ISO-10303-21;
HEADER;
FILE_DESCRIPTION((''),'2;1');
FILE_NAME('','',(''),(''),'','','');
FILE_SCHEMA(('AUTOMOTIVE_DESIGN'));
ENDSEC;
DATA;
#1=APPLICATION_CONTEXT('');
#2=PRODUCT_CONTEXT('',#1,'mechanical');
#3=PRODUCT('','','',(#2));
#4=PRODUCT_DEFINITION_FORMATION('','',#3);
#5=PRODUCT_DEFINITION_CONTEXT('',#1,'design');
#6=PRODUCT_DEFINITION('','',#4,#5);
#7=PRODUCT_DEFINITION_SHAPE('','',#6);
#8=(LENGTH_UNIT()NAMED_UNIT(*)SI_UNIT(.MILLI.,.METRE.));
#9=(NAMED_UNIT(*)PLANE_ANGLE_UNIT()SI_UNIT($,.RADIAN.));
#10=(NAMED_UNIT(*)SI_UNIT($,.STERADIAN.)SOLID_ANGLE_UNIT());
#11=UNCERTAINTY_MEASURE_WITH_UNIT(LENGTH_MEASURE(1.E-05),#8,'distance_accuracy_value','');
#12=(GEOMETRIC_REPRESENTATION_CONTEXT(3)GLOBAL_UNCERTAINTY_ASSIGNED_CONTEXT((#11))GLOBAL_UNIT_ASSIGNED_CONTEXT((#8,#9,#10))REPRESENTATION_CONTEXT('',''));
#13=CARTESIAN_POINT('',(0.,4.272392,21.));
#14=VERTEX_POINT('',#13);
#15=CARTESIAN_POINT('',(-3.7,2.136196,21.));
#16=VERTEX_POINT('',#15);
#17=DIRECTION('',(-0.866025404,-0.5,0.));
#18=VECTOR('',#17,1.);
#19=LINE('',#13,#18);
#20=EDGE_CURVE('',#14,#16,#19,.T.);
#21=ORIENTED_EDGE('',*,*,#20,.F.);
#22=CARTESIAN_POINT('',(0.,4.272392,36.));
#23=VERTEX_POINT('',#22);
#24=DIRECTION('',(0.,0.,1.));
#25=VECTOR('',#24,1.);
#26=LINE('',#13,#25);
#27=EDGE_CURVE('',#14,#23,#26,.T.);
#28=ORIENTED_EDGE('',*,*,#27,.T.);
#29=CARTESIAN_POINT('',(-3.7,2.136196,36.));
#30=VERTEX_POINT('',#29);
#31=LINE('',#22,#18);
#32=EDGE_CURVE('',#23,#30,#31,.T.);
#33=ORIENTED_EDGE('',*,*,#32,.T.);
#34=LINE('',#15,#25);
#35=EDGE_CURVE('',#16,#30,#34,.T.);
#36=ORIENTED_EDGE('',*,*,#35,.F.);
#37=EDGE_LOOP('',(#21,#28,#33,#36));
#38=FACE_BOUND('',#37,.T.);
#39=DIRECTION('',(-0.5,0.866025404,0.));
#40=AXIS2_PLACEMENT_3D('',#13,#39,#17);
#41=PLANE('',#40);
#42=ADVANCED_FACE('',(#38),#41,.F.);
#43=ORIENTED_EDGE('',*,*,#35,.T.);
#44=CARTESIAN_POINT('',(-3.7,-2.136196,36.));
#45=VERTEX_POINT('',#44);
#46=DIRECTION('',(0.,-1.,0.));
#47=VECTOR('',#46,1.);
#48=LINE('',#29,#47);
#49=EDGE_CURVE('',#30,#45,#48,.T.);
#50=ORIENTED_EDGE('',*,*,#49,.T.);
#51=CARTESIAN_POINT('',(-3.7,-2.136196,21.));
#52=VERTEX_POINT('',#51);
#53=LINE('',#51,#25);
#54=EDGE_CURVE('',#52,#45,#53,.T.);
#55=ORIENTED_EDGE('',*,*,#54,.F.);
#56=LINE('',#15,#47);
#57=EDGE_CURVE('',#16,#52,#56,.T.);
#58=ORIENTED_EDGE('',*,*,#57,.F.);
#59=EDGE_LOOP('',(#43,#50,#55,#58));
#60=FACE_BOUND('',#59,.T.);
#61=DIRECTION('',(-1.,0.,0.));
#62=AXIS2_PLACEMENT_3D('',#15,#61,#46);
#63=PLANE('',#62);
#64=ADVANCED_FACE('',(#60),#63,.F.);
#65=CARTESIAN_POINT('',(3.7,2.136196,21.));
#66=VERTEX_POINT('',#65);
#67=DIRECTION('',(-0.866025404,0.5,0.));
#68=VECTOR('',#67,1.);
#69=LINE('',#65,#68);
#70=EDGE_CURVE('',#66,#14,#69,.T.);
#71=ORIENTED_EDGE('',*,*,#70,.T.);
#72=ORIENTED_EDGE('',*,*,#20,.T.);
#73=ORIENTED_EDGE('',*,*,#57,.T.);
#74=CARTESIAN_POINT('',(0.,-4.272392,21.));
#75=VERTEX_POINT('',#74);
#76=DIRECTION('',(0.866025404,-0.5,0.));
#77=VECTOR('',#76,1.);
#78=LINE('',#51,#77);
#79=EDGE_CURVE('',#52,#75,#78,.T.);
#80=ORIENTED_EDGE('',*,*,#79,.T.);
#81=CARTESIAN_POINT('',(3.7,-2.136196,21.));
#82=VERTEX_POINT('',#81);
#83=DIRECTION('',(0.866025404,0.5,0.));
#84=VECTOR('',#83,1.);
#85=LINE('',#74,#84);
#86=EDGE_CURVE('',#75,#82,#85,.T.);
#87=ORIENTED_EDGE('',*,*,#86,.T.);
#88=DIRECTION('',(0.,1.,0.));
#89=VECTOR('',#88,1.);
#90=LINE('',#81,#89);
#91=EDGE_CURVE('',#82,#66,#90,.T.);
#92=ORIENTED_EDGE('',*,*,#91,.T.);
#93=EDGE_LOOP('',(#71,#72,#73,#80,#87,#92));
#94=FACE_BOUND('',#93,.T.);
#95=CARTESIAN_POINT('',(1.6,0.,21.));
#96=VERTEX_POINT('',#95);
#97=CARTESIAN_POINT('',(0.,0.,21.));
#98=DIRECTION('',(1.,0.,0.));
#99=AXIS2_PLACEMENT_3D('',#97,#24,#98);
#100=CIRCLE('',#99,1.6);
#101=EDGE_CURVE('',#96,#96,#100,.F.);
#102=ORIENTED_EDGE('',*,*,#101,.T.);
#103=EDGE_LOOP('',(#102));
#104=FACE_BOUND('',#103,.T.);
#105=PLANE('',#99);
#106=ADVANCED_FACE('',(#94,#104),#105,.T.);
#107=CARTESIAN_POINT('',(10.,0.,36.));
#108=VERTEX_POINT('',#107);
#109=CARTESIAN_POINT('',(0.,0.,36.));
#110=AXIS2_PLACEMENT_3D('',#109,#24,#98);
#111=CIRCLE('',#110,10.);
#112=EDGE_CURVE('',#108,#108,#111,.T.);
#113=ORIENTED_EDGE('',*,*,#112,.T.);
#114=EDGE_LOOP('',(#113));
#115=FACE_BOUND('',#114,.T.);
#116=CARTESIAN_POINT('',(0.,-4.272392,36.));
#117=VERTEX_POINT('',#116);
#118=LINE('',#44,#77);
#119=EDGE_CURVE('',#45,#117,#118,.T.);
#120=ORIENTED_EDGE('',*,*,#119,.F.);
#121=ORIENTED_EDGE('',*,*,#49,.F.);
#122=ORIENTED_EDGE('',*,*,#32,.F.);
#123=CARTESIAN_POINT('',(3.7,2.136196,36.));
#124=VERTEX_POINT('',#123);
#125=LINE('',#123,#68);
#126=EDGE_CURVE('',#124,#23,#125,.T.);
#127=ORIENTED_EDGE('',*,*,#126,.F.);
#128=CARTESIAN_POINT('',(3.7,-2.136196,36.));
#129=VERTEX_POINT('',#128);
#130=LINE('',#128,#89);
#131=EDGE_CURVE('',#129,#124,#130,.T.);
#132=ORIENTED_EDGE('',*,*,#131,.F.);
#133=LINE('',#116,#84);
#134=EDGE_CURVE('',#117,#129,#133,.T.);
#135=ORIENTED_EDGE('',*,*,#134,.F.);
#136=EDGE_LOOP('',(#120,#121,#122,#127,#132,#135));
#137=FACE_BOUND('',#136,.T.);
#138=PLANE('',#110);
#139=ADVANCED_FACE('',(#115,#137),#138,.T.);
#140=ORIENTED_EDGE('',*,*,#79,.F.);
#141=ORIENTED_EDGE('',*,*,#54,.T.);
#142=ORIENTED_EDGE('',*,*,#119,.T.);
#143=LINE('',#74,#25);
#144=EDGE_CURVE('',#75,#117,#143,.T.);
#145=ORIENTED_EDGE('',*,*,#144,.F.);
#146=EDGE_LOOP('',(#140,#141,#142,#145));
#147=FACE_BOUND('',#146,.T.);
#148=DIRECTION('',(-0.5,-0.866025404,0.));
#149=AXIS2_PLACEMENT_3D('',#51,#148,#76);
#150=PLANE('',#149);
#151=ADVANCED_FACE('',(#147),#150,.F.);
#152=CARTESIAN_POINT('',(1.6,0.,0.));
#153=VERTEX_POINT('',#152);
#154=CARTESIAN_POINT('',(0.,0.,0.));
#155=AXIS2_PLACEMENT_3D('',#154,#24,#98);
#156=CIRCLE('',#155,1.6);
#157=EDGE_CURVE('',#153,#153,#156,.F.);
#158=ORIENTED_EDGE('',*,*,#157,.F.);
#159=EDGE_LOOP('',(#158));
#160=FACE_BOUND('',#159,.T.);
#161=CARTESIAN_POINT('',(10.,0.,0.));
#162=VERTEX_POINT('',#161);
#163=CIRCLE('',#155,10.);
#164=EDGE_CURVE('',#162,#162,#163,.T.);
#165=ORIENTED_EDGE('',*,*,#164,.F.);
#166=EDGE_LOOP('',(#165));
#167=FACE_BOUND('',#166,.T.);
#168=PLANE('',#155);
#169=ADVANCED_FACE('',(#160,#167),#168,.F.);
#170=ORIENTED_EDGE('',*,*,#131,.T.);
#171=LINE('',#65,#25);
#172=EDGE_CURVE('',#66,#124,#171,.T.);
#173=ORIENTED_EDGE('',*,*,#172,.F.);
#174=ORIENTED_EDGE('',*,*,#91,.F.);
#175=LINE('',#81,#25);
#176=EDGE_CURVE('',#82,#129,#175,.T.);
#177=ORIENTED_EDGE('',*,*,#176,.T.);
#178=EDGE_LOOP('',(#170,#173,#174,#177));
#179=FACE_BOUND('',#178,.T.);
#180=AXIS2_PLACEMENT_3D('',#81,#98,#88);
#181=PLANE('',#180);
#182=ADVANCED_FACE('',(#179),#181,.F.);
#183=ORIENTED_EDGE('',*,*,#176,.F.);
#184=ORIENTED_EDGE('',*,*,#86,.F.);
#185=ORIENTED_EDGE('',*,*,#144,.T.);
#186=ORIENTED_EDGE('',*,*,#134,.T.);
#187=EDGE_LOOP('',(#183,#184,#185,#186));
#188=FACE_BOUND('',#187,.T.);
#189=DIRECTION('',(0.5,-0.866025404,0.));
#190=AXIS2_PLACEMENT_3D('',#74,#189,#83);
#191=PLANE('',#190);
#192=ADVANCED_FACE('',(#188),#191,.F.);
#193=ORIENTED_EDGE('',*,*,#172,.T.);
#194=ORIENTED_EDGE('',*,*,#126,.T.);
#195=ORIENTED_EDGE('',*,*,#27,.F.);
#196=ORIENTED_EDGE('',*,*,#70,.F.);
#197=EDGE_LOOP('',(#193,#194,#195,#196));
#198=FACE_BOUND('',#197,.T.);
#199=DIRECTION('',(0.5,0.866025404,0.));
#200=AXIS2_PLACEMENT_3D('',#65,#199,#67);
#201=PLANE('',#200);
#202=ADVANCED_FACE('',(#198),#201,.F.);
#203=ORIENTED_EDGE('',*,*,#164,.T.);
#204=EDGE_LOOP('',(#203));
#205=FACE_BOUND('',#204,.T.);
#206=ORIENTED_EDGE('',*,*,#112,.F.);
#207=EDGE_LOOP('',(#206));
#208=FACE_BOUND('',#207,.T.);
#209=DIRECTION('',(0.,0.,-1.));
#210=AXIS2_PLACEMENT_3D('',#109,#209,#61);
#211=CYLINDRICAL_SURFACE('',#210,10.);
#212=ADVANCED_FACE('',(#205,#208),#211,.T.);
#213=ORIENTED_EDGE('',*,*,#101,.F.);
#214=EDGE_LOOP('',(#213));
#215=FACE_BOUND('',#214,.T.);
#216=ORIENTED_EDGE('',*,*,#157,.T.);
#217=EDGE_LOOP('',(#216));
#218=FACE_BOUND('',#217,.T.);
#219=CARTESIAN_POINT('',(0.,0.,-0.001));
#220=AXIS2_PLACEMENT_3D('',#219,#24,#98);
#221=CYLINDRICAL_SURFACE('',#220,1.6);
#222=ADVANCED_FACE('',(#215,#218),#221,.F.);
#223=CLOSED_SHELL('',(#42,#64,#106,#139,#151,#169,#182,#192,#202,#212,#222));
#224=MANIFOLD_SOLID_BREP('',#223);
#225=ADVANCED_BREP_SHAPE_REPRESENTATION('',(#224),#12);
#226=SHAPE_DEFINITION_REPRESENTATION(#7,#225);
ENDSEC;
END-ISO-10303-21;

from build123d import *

# Parameters (mm, degrees)
ESBO_O2_R                = 10
RESSALTO_EXTRUS_O1_DEPTH = 36
CORTE_EXTRUS_O1_REACH    = 38
ESBO_O3_R                = 1.6
CORTE_EXTRUS_O2_DEPTH    = 15


with BuildPart() as part:
    # Esboço2 → Ressalto-extrusão1 (new body)
    with BuildSketch(Plane.XY):
        Circle(ESBO_O2_R)
    extrude(amount=RESSALTO_EXTRUS_O1_DEPTH)

    # Esboço3 → Corte-extrusão1 (cut, up to next)
    with BuildSketch(Plane.XY.offset(36), mode=Mode.PRIVATE) as corte_extrus_o1_sk1:
        Circle(ESBO_O3_R)
    corte_extrus_o1_tool1 = extrude(corte_extrus_o1_sk1.sketch, amount=-CORTE_EXTRUS_O1_REACH, mode=Mode.PRIVATE) & part.part
    add(corte_extrus_o1_tool1.solids().sort_by_distance((0, 0, 36))[0], mode=Mode.SUBTRACT)

    # Esboço4 → Corte-extrusão2 (cut)
    with BuildSketch(Plane.XY.offset(36)):
        Polygon((0, 4.272391992), (-3.7, 2.136195996), (-3.7, -2.136195996), (0, -4.272391992), (3.7, -2.136195996), (3.7, 2.136195996), align=None)
    extrude(amount=-CORTE_EXTRUS_O2_DEPTH, mode=Mode.SUBTRACT)


solid = part.part
